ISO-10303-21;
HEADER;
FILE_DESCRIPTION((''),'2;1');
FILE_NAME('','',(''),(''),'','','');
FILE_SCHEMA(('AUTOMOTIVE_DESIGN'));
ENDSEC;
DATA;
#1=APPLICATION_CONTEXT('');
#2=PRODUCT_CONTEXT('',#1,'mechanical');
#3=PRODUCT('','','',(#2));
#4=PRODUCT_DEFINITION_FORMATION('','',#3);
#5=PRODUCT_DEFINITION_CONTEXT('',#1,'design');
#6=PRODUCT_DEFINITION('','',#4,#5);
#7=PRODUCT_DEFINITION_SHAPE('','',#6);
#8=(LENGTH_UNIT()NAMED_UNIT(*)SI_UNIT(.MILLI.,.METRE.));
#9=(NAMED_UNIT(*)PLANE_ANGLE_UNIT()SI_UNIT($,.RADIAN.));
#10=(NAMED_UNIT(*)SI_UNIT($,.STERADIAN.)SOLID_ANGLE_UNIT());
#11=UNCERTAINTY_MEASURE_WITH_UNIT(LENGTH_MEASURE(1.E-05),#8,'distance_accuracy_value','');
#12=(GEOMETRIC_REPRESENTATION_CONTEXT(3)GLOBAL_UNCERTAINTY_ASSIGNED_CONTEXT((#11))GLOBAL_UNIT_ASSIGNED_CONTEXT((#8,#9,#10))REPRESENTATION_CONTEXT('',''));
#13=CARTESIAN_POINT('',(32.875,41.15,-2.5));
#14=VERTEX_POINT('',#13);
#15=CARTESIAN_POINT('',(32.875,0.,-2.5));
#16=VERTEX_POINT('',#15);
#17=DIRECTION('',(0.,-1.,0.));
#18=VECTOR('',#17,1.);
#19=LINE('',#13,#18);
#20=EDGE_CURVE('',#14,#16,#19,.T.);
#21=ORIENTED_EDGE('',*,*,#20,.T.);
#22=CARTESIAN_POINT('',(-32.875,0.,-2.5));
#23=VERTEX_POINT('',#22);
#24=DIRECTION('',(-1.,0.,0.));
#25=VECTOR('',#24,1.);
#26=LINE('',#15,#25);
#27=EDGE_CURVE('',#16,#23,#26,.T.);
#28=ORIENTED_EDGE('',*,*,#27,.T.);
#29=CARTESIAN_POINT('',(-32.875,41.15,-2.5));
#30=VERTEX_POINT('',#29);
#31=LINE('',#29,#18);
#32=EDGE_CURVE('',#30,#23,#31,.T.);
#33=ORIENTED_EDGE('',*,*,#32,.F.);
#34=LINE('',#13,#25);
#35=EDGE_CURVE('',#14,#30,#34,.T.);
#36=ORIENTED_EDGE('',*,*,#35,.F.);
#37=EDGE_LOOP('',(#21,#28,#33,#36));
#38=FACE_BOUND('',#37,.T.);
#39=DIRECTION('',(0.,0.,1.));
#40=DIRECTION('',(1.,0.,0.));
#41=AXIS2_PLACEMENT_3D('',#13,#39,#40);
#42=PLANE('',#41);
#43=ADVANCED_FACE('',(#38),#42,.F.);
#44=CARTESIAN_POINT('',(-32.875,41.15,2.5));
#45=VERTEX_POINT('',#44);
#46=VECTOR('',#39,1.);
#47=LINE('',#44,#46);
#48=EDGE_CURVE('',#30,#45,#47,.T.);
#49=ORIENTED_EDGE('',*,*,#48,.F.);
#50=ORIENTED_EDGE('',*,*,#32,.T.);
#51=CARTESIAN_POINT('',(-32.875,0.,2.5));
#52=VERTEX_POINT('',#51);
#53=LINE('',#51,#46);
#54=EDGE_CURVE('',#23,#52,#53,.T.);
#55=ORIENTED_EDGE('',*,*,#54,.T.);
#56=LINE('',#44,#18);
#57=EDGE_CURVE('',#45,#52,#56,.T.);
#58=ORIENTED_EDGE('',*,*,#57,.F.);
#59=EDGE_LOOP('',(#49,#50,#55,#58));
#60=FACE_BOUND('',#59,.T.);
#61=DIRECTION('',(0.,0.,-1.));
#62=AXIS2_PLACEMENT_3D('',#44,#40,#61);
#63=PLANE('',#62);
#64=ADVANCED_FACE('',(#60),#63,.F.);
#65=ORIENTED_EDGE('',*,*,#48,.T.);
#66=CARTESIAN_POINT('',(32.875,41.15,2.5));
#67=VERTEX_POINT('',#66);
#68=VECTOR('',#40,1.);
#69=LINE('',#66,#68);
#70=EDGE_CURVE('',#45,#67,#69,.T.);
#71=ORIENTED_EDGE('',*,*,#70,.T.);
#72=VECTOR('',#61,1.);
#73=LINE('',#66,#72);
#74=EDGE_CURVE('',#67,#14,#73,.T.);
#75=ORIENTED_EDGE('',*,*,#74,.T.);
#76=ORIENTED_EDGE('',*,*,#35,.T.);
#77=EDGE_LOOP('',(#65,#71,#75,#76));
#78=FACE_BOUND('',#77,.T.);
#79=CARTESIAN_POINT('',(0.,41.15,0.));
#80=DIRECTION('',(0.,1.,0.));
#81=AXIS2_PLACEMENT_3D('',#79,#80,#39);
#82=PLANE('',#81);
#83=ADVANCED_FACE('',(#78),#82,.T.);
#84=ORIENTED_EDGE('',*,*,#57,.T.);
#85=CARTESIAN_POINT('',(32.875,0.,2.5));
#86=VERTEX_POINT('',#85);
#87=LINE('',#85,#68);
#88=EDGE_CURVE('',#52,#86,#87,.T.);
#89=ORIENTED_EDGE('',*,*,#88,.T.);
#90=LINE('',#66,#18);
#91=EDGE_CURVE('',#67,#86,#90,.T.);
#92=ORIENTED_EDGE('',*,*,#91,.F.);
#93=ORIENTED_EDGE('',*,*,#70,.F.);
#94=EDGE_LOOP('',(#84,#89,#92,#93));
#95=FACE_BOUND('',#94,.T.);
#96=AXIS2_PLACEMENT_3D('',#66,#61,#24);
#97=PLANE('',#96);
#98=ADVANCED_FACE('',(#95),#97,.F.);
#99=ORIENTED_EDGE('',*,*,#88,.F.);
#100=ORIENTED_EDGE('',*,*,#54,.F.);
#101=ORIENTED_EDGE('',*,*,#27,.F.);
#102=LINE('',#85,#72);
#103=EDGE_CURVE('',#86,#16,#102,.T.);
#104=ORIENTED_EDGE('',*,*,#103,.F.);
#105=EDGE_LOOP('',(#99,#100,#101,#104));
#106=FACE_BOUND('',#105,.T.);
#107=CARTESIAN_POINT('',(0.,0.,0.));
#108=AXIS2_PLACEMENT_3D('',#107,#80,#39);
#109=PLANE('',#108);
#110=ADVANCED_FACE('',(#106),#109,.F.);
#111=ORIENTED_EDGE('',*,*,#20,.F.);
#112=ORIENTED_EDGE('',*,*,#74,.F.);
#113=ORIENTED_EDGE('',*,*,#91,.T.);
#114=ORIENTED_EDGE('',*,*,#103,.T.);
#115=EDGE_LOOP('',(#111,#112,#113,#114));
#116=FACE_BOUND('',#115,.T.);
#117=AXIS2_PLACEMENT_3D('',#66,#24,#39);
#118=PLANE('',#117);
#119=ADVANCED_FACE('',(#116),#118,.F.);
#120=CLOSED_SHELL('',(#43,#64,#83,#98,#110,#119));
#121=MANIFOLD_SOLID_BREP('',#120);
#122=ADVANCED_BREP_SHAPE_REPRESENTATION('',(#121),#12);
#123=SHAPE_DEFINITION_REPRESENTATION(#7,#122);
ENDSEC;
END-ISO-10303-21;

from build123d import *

# Parameters (mm, degrees)
SKETCH1_W           = 65.75
SKETCH1_H           = 5
BOSS_EXTRUDE1_DEPTH = 41.15


with BuildPart() as part:
    # Sketch1 → Boss-Extrude1 (new body)
    with BuildSketch(Plane(origin=(0, 0, 0), x_dir=(1, 0, 0), z_dir=(0, 1, 0))):
        Rectangle(SKETCH1_W, SKETCH1_H)
    extrude(amount=BOSS_EXTRUDE1_DEPTH)


solid = part.part
